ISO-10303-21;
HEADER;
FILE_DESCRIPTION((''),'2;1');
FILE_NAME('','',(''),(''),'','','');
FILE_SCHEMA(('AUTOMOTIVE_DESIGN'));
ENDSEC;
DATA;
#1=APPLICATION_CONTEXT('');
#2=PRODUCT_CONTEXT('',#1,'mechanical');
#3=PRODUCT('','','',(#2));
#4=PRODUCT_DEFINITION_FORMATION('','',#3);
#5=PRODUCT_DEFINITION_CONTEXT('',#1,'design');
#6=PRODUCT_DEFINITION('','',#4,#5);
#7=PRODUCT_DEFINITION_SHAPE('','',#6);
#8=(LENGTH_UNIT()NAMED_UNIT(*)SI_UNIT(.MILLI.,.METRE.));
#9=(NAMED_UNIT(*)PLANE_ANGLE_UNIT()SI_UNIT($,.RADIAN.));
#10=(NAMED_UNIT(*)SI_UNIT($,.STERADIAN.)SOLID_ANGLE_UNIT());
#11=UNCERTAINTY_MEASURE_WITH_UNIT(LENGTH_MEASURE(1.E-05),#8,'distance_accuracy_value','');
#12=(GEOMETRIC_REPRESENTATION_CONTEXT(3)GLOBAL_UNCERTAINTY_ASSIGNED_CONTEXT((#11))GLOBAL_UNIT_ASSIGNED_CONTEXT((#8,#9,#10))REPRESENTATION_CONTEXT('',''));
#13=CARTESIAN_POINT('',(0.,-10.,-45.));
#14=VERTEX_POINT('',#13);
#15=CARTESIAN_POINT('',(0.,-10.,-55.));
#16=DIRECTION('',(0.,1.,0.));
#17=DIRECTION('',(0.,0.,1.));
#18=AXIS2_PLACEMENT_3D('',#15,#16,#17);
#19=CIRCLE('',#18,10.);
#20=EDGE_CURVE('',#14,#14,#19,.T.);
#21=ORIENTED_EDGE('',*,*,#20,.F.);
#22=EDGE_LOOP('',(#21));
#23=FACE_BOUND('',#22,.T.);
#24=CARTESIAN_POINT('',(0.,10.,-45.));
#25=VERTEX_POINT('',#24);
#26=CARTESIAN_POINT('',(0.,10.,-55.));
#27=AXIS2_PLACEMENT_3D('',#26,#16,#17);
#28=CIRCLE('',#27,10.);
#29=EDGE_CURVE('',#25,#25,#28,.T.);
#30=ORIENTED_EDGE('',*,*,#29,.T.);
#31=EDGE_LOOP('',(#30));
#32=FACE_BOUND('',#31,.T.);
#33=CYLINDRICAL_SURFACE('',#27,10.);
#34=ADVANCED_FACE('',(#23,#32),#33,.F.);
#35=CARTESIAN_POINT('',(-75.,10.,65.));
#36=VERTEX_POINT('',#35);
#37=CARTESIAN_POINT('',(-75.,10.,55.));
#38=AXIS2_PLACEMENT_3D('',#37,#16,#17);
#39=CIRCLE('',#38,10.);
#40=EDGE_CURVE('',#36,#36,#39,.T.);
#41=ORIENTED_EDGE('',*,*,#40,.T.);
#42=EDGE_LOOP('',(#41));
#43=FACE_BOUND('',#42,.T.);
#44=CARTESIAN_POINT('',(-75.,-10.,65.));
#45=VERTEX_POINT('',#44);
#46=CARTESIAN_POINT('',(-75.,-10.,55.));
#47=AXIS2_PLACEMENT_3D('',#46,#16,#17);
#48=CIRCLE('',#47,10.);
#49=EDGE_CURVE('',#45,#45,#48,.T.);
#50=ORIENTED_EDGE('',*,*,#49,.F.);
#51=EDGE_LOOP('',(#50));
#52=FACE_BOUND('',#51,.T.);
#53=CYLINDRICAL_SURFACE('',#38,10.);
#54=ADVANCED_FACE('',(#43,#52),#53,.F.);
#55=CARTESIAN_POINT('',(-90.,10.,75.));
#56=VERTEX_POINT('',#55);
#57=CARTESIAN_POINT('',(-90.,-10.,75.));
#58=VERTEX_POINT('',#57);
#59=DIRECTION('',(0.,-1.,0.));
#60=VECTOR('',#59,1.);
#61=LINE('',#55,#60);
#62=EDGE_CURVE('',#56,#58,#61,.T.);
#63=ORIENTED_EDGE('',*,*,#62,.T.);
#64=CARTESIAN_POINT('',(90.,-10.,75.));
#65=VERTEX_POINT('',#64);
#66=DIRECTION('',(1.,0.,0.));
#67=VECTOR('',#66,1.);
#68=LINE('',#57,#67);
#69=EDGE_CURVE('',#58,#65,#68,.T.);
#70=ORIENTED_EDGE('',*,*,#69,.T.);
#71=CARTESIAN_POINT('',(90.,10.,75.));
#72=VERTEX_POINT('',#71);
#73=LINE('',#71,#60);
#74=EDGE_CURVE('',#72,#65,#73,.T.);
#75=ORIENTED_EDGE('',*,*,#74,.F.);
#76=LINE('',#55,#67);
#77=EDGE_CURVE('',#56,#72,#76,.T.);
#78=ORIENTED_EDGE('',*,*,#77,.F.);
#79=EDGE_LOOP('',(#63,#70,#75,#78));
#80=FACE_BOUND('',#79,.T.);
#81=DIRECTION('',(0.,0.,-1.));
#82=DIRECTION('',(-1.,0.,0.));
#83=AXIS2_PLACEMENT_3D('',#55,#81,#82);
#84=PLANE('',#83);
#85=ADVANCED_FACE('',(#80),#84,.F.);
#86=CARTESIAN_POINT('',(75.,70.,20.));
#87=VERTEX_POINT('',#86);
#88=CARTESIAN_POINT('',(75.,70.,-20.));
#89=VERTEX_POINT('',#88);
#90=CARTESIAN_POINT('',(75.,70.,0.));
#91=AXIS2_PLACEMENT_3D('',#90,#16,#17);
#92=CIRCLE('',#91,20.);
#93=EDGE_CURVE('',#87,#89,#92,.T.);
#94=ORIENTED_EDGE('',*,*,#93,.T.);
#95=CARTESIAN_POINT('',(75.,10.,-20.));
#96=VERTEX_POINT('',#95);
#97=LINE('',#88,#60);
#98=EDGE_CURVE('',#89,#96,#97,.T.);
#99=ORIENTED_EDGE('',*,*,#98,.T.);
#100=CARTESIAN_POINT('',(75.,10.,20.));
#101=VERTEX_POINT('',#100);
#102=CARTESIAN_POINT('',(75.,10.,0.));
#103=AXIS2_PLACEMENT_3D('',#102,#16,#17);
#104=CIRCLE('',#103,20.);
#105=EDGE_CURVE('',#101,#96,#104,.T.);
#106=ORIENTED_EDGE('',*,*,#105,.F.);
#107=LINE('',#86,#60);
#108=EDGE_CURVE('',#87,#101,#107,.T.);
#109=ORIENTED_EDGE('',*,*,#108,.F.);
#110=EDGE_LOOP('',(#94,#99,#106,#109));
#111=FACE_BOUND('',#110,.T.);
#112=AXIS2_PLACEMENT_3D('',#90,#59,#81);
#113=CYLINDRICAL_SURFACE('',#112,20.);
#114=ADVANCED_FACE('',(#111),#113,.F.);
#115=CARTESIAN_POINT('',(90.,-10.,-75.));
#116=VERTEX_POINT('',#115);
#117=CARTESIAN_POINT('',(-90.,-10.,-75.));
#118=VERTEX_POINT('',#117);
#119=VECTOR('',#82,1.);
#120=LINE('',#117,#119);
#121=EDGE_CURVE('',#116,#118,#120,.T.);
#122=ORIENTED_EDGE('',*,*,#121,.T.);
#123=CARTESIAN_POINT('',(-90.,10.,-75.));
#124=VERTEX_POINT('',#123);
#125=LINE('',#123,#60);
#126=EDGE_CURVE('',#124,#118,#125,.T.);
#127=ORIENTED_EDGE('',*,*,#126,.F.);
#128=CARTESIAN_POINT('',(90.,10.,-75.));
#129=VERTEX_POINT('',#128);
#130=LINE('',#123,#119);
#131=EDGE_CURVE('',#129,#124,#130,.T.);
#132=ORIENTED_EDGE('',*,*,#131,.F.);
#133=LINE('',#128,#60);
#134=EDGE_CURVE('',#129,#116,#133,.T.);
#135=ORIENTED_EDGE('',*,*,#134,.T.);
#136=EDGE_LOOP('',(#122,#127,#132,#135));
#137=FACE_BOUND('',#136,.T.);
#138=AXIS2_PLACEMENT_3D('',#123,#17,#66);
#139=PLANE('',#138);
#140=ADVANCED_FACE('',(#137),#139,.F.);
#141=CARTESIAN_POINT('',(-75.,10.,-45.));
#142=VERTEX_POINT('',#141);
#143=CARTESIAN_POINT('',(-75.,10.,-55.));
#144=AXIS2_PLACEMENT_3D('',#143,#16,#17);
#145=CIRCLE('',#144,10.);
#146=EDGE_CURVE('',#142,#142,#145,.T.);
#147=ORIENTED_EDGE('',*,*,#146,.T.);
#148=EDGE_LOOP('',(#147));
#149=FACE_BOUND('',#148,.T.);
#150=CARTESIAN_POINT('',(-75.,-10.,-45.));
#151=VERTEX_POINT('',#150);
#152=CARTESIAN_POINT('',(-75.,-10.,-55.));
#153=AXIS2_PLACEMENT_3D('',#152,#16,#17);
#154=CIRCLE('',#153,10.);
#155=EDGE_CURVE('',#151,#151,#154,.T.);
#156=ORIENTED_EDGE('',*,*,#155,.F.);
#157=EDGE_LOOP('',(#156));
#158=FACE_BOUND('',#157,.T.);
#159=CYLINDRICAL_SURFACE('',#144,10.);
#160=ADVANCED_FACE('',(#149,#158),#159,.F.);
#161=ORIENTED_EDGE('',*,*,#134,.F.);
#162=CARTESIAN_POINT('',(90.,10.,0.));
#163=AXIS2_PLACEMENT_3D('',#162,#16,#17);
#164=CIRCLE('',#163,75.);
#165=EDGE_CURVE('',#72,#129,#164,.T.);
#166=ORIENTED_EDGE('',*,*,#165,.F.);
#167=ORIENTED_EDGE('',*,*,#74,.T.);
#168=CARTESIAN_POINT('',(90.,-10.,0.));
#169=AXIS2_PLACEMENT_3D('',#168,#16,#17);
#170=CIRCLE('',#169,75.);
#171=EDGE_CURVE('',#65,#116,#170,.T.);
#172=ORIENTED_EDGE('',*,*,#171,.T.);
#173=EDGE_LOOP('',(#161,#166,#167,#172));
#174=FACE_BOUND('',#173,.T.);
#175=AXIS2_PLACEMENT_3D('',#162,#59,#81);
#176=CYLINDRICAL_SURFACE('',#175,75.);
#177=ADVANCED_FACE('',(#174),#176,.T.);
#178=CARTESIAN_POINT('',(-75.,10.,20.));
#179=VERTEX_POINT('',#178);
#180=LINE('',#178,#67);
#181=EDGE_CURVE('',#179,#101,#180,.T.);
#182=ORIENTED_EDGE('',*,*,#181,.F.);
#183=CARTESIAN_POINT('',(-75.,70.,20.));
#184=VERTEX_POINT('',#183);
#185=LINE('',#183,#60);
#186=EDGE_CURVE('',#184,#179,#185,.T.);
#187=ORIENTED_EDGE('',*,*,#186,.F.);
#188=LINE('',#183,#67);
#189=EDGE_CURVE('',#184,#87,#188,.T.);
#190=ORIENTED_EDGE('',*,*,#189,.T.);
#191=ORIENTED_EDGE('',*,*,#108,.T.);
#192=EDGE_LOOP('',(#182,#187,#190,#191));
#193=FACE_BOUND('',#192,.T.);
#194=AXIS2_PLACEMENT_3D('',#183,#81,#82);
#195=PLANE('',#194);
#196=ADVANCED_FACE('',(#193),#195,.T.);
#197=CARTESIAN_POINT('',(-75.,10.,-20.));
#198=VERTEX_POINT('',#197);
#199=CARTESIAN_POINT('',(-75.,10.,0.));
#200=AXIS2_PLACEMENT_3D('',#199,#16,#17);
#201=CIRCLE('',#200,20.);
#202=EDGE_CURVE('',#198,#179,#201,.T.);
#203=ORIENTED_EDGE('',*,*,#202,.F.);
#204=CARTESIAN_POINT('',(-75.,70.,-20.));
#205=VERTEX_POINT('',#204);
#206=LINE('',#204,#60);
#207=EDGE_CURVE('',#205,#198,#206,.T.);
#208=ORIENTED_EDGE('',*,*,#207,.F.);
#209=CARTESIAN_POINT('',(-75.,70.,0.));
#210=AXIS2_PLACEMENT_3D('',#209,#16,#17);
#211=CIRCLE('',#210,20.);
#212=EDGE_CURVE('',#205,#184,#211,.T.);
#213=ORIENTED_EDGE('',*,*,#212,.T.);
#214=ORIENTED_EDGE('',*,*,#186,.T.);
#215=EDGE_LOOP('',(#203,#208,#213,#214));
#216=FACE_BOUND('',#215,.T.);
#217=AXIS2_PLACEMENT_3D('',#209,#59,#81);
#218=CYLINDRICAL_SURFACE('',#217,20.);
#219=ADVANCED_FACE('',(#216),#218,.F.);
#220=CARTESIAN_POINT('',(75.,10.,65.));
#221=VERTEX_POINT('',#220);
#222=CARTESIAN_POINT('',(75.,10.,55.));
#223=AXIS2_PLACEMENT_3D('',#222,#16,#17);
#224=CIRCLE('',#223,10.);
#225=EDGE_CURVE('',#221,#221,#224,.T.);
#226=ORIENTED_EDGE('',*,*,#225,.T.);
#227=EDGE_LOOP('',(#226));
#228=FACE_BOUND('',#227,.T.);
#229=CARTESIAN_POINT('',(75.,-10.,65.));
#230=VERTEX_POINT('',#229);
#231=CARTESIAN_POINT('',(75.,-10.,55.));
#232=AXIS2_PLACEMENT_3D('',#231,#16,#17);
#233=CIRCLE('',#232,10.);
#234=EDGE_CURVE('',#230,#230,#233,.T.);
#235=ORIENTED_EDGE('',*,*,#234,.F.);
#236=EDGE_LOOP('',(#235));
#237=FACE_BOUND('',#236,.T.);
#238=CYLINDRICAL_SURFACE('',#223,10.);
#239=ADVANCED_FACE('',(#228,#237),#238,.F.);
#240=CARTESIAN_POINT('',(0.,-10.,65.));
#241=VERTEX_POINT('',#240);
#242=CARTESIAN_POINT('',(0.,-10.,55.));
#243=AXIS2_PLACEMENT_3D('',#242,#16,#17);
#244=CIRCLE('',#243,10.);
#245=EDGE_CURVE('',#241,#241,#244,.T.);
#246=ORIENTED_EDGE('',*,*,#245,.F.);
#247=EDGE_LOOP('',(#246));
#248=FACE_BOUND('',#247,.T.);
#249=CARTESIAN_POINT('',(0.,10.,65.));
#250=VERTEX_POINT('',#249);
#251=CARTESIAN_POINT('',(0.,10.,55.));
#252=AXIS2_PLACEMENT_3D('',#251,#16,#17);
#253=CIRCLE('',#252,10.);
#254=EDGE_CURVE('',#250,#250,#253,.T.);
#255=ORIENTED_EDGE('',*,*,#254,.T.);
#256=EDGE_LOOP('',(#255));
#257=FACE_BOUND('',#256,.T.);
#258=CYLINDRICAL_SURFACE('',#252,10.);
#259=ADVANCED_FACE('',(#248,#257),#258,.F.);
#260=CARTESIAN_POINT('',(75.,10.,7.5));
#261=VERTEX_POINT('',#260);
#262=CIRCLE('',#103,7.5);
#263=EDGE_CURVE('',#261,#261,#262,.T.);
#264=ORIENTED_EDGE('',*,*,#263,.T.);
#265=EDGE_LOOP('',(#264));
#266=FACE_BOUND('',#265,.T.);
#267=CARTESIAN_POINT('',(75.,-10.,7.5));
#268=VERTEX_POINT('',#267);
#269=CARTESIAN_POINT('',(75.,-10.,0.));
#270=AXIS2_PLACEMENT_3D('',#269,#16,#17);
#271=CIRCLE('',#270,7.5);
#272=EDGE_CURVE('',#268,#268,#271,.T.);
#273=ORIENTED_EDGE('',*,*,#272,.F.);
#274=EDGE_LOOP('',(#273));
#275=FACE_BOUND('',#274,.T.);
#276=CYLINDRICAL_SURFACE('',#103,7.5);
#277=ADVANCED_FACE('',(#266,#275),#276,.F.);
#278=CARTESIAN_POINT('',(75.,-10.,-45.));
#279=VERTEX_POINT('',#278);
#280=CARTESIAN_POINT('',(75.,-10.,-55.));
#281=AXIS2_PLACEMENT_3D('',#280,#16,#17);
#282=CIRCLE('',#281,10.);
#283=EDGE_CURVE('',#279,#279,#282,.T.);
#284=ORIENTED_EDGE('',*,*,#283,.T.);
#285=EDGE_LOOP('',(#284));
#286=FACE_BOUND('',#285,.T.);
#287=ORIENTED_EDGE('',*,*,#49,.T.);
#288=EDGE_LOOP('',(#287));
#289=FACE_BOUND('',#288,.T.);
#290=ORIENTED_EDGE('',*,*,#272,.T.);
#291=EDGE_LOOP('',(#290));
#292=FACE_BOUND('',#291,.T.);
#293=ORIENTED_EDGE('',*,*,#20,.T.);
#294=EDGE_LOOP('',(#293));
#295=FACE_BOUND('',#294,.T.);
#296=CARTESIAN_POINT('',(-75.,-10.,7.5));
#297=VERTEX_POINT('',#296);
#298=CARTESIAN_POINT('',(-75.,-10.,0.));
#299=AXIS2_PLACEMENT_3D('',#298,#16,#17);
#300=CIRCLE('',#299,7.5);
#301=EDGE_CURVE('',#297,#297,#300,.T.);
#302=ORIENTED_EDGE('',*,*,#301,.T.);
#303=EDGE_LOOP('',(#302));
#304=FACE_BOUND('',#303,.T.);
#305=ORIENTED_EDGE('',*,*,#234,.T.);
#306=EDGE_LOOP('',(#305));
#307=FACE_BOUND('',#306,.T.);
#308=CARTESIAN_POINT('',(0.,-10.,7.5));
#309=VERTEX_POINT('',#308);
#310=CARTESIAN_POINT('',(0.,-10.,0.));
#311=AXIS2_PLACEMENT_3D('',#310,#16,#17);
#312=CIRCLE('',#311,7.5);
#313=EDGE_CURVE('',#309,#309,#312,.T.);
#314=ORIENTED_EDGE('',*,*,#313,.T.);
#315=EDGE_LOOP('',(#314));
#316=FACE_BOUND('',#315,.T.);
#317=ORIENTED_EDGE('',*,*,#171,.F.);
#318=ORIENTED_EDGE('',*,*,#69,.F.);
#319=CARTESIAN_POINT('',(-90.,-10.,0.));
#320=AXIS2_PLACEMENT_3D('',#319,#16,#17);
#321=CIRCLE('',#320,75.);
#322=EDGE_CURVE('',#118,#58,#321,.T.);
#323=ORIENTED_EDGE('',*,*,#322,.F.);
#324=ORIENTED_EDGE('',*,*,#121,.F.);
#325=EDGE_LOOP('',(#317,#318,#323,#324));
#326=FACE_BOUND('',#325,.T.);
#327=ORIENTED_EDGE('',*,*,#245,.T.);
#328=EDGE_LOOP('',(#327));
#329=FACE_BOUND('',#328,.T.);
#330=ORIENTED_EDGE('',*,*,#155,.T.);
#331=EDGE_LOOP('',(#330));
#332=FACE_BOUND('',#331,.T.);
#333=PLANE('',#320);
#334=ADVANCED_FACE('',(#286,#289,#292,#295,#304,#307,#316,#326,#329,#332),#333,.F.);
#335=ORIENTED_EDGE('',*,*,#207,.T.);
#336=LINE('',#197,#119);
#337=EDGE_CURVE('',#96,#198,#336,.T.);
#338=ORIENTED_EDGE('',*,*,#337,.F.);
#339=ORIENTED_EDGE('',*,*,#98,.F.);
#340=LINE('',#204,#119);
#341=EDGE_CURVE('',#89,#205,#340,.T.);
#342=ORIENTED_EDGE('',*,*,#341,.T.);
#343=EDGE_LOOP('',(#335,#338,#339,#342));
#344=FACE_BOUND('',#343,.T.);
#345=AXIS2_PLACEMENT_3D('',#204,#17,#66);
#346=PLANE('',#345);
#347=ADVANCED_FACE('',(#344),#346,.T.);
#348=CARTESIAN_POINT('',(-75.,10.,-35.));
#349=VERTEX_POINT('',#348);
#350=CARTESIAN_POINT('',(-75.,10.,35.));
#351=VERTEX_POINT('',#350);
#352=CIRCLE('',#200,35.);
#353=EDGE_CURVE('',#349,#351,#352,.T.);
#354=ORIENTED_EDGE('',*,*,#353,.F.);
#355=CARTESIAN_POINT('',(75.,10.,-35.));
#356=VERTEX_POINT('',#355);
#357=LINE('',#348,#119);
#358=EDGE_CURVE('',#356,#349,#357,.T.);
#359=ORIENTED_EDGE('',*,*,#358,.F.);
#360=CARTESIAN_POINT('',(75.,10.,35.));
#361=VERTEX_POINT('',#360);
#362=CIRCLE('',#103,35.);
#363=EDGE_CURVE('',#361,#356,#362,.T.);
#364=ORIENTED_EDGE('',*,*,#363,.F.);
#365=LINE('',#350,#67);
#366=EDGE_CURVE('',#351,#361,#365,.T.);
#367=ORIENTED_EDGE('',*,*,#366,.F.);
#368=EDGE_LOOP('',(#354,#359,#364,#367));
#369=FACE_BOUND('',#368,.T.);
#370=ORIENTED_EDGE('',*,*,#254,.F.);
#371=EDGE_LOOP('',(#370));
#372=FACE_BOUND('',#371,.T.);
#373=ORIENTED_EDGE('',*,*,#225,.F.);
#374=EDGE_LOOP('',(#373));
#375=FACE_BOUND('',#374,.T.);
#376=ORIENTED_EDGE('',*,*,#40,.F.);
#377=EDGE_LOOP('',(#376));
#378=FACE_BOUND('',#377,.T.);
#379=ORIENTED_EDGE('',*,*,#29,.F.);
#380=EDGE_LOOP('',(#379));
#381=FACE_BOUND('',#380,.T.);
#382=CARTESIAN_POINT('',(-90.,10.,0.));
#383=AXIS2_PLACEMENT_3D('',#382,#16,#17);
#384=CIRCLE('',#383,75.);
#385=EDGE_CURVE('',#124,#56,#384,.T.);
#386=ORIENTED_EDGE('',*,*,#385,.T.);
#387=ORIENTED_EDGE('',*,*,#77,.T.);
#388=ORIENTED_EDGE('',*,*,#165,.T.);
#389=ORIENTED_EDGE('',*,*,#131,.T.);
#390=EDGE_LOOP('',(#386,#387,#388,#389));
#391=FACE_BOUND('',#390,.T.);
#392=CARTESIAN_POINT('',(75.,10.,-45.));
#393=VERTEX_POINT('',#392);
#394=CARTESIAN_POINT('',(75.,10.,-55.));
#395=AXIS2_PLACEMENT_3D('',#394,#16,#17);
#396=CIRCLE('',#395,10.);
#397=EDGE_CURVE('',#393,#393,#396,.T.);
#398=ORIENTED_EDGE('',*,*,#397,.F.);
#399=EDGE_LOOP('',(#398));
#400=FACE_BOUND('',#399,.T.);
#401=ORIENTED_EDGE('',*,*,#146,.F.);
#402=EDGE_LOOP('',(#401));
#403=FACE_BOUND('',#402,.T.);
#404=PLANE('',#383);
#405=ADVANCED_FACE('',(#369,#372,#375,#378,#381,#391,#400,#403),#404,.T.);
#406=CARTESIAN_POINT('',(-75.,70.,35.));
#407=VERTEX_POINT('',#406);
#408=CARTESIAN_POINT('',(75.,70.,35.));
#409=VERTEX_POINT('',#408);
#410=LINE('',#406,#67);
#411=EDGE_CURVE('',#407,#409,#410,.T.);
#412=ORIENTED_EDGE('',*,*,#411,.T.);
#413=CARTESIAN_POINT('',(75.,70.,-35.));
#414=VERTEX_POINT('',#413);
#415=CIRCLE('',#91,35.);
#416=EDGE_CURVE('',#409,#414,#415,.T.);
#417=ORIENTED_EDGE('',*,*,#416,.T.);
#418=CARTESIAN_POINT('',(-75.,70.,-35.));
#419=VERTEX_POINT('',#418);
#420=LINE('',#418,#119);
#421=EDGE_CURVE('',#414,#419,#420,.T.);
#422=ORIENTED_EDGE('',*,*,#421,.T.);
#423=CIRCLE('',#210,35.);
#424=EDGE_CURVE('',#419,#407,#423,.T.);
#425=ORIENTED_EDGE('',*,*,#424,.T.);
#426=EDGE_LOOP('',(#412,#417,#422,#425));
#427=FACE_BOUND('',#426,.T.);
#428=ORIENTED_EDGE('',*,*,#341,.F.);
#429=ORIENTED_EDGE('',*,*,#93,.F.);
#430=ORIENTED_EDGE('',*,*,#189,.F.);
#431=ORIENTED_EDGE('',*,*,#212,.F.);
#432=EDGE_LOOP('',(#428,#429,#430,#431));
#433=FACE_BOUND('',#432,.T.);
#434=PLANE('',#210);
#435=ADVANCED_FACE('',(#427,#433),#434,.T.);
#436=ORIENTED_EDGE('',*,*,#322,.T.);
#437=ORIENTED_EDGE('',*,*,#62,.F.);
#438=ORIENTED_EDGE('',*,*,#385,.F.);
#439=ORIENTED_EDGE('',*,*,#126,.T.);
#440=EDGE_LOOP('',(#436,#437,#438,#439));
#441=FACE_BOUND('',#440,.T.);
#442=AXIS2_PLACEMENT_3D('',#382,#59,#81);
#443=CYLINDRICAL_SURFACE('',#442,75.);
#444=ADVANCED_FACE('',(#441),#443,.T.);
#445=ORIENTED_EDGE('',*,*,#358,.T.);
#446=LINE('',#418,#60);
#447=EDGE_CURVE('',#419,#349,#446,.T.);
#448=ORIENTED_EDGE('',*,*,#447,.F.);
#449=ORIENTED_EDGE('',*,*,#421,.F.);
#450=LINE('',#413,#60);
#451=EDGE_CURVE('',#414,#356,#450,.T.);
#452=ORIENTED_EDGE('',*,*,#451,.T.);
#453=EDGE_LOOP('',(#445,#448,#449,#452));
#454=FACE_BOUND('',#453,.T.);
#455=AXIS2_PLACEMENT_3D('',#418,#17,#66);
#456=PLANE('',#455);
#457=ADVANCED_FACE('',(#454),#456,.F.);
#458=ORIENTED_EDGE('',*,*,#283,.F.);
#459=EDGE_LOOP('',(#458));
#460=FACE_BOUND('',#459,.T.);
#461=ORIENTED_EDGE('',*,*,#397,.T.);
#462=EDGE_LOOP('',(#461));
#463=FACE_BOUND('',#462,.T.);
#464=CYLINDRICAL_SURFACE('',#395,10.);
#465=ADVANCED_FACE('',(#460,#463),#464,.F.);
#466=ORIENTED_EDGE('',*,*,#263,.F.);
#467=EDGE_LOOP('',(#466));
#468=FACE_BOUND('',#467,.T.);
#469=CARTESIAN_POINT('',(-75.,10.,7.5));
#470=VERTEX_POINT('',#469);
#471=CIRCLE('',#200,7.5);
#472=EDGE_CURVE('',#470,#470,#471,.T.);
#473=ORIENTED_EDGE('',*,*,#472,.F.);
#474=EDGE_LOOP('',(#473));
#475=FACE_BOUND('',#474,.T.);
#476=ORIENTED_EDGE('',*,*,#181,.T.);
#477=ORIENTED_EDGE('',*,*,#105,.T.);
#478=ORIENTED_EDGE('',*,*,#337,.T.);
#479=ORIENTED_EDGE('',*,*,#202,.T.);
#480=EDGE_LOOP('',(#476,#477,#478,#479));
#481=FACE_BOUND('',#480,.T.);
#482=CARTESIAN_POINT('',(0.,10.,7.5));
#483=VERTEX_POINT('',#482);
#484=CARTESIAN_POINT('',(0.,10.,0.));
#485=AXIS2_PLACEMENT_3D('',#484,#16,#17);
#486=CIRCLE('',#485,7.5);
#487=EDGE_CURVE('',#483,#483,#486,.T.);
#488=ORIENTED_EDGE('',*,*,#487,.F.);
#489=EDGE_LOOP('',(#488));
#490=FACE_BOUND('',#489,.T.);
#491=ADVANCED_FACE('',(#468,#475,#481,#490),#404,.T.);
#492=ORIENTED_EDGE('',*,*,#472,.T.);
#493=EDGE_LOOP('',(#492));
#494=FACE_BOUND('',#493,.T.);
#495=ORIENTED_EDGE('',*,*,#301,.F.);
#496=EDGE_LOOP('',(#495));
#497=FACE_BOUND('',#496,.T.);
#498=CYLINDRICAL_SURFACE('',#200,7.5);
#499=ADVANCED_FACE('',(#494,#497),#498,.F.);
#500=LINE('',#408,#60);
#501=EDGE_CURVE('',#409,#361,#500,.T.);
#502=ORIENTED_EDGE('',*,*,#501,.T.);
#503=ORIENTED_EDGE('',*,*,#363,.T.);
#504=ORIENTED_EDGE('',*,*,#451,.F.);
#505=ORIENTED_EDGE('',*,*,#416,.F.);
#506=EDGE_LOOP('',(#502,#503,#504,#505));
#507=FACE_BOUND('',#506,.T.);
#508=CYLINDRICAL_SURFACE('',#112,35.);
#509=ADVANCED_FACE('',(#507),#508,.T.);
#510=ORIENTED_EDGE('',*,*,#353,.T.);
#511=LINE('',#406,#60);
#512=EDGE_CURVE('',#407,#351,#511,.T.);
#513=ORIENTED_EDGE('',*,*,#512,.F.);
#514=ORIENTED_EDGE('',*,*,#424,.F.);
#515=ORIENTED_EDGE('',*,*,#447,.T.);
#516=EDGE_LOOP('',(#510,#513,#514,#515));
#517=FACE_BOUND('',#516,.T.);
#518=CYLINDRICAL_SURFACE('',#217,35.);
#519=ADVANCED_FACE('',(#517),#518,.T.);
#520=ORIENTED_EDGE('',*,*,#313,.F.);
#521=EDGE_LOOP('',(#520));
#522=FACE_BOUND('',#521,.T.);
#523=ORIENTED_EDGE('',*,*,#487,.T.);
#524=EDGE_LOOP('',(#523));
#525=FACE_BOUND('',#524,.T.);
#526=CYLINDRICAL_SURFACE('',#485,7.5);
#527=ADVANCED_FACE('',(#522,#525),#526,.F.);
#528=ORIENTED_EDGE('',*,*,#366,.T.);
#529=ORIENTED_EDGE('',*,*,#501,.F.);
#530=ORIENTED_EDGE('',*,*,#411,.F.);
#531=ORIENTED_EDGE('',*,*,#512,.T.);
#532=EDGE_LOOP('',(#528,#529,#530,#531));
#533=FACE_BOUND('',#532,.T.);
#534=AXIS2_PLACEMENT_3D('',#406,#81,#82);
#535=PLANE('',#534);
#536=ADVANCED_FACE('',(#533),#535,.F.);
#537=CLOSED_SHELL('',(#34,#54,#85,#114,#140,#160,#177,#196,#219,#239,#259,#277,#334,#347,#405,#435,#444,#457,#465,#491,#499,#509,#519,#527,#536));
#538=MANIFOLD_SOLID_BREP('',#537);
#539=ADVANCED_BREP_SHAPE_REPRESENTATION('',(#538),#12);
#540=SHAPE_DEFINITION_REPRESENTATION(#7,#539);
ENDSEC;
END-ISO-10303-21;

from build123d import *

# Parameters (mm, degrees)
BOSS_EXTRUDE1_DEPTH = 10
BOSS_EXTRUDE2_DEPTH = 60
HOLE1_D             = 20
HOLE2_D             = 15


with BuildPart() as part:
    # Sketch1 → Boss-Extrude1 (new, symmetric)
    with BuildSketch(Plane(origin=(0, 0, 0), x_dir=(1, 0, 0), z_dir=(0, 1, 0))):
        with BuildLine():
            Line((-90, 75), (90, 75))
            ThreePointArc((90, 75), (165, 0), (90, -75))
            Line((90, -75), (-90, -75))
            ThreePointArc((-90, -75), (-165, 0), (-90, 75))
        make_face()
    extrude(amount=BOSS_EXTRUDE1_DEPTH, both=True)

    # Sketch2 → Boss-Extrude2 (add)
    with BuildSketch(Plane(origin=(0, 10, 0), x_dir=(1, 0, 0), z_dir=(0, 1, 0))):
        with BuildLine():
            Line((-75, 35), (75, 35))
            ThreePointArc((75, 35), (110, 0), (75, -35))
            Line((75, -35), (-75, -35))
            ThreePointArc((-75, -35), (-110, 0), (-75, 35))
        make_face()
        with BuildLine():
            Line((-75, 20), (75, 20))
            ThreePointArc((75, 20), (95, 0), (75, -20))
            Line((75, -20), (-75, -20))
            ThreePointArc((-75, -20), (-95, 0), (-75, 20))
        make_face(mode=Mode.SUBTRACT)
    extrude(amount=BOSS_EXTRUDE2_DEPTH)

    # Hole1 (through all)
    with Locations(Plane(origin=(0, 10, 0), x_dir=(1, 0, 0), z_dir=(0, 1, 0))):
        with Locations((75, -55), (0, -55), (-75, -55)):
            hole1 = Hole(HOLE1_D / 2)

    # Mirror1: Hole1 across plane
    add(hole1.mirror(Plane.XY), mode=Mode.SUBTRACT)

    # Hole2 (through all)
    with Locations(Plane(origin=(0, 10, 0), x_dir=(1, 0, 0), z_dir=(0, 1, 0))):
        with Locations((0, 0), (75, 0), (-75, 0)):
            Hole(HOLE2_D / 2)


solid = part.part
